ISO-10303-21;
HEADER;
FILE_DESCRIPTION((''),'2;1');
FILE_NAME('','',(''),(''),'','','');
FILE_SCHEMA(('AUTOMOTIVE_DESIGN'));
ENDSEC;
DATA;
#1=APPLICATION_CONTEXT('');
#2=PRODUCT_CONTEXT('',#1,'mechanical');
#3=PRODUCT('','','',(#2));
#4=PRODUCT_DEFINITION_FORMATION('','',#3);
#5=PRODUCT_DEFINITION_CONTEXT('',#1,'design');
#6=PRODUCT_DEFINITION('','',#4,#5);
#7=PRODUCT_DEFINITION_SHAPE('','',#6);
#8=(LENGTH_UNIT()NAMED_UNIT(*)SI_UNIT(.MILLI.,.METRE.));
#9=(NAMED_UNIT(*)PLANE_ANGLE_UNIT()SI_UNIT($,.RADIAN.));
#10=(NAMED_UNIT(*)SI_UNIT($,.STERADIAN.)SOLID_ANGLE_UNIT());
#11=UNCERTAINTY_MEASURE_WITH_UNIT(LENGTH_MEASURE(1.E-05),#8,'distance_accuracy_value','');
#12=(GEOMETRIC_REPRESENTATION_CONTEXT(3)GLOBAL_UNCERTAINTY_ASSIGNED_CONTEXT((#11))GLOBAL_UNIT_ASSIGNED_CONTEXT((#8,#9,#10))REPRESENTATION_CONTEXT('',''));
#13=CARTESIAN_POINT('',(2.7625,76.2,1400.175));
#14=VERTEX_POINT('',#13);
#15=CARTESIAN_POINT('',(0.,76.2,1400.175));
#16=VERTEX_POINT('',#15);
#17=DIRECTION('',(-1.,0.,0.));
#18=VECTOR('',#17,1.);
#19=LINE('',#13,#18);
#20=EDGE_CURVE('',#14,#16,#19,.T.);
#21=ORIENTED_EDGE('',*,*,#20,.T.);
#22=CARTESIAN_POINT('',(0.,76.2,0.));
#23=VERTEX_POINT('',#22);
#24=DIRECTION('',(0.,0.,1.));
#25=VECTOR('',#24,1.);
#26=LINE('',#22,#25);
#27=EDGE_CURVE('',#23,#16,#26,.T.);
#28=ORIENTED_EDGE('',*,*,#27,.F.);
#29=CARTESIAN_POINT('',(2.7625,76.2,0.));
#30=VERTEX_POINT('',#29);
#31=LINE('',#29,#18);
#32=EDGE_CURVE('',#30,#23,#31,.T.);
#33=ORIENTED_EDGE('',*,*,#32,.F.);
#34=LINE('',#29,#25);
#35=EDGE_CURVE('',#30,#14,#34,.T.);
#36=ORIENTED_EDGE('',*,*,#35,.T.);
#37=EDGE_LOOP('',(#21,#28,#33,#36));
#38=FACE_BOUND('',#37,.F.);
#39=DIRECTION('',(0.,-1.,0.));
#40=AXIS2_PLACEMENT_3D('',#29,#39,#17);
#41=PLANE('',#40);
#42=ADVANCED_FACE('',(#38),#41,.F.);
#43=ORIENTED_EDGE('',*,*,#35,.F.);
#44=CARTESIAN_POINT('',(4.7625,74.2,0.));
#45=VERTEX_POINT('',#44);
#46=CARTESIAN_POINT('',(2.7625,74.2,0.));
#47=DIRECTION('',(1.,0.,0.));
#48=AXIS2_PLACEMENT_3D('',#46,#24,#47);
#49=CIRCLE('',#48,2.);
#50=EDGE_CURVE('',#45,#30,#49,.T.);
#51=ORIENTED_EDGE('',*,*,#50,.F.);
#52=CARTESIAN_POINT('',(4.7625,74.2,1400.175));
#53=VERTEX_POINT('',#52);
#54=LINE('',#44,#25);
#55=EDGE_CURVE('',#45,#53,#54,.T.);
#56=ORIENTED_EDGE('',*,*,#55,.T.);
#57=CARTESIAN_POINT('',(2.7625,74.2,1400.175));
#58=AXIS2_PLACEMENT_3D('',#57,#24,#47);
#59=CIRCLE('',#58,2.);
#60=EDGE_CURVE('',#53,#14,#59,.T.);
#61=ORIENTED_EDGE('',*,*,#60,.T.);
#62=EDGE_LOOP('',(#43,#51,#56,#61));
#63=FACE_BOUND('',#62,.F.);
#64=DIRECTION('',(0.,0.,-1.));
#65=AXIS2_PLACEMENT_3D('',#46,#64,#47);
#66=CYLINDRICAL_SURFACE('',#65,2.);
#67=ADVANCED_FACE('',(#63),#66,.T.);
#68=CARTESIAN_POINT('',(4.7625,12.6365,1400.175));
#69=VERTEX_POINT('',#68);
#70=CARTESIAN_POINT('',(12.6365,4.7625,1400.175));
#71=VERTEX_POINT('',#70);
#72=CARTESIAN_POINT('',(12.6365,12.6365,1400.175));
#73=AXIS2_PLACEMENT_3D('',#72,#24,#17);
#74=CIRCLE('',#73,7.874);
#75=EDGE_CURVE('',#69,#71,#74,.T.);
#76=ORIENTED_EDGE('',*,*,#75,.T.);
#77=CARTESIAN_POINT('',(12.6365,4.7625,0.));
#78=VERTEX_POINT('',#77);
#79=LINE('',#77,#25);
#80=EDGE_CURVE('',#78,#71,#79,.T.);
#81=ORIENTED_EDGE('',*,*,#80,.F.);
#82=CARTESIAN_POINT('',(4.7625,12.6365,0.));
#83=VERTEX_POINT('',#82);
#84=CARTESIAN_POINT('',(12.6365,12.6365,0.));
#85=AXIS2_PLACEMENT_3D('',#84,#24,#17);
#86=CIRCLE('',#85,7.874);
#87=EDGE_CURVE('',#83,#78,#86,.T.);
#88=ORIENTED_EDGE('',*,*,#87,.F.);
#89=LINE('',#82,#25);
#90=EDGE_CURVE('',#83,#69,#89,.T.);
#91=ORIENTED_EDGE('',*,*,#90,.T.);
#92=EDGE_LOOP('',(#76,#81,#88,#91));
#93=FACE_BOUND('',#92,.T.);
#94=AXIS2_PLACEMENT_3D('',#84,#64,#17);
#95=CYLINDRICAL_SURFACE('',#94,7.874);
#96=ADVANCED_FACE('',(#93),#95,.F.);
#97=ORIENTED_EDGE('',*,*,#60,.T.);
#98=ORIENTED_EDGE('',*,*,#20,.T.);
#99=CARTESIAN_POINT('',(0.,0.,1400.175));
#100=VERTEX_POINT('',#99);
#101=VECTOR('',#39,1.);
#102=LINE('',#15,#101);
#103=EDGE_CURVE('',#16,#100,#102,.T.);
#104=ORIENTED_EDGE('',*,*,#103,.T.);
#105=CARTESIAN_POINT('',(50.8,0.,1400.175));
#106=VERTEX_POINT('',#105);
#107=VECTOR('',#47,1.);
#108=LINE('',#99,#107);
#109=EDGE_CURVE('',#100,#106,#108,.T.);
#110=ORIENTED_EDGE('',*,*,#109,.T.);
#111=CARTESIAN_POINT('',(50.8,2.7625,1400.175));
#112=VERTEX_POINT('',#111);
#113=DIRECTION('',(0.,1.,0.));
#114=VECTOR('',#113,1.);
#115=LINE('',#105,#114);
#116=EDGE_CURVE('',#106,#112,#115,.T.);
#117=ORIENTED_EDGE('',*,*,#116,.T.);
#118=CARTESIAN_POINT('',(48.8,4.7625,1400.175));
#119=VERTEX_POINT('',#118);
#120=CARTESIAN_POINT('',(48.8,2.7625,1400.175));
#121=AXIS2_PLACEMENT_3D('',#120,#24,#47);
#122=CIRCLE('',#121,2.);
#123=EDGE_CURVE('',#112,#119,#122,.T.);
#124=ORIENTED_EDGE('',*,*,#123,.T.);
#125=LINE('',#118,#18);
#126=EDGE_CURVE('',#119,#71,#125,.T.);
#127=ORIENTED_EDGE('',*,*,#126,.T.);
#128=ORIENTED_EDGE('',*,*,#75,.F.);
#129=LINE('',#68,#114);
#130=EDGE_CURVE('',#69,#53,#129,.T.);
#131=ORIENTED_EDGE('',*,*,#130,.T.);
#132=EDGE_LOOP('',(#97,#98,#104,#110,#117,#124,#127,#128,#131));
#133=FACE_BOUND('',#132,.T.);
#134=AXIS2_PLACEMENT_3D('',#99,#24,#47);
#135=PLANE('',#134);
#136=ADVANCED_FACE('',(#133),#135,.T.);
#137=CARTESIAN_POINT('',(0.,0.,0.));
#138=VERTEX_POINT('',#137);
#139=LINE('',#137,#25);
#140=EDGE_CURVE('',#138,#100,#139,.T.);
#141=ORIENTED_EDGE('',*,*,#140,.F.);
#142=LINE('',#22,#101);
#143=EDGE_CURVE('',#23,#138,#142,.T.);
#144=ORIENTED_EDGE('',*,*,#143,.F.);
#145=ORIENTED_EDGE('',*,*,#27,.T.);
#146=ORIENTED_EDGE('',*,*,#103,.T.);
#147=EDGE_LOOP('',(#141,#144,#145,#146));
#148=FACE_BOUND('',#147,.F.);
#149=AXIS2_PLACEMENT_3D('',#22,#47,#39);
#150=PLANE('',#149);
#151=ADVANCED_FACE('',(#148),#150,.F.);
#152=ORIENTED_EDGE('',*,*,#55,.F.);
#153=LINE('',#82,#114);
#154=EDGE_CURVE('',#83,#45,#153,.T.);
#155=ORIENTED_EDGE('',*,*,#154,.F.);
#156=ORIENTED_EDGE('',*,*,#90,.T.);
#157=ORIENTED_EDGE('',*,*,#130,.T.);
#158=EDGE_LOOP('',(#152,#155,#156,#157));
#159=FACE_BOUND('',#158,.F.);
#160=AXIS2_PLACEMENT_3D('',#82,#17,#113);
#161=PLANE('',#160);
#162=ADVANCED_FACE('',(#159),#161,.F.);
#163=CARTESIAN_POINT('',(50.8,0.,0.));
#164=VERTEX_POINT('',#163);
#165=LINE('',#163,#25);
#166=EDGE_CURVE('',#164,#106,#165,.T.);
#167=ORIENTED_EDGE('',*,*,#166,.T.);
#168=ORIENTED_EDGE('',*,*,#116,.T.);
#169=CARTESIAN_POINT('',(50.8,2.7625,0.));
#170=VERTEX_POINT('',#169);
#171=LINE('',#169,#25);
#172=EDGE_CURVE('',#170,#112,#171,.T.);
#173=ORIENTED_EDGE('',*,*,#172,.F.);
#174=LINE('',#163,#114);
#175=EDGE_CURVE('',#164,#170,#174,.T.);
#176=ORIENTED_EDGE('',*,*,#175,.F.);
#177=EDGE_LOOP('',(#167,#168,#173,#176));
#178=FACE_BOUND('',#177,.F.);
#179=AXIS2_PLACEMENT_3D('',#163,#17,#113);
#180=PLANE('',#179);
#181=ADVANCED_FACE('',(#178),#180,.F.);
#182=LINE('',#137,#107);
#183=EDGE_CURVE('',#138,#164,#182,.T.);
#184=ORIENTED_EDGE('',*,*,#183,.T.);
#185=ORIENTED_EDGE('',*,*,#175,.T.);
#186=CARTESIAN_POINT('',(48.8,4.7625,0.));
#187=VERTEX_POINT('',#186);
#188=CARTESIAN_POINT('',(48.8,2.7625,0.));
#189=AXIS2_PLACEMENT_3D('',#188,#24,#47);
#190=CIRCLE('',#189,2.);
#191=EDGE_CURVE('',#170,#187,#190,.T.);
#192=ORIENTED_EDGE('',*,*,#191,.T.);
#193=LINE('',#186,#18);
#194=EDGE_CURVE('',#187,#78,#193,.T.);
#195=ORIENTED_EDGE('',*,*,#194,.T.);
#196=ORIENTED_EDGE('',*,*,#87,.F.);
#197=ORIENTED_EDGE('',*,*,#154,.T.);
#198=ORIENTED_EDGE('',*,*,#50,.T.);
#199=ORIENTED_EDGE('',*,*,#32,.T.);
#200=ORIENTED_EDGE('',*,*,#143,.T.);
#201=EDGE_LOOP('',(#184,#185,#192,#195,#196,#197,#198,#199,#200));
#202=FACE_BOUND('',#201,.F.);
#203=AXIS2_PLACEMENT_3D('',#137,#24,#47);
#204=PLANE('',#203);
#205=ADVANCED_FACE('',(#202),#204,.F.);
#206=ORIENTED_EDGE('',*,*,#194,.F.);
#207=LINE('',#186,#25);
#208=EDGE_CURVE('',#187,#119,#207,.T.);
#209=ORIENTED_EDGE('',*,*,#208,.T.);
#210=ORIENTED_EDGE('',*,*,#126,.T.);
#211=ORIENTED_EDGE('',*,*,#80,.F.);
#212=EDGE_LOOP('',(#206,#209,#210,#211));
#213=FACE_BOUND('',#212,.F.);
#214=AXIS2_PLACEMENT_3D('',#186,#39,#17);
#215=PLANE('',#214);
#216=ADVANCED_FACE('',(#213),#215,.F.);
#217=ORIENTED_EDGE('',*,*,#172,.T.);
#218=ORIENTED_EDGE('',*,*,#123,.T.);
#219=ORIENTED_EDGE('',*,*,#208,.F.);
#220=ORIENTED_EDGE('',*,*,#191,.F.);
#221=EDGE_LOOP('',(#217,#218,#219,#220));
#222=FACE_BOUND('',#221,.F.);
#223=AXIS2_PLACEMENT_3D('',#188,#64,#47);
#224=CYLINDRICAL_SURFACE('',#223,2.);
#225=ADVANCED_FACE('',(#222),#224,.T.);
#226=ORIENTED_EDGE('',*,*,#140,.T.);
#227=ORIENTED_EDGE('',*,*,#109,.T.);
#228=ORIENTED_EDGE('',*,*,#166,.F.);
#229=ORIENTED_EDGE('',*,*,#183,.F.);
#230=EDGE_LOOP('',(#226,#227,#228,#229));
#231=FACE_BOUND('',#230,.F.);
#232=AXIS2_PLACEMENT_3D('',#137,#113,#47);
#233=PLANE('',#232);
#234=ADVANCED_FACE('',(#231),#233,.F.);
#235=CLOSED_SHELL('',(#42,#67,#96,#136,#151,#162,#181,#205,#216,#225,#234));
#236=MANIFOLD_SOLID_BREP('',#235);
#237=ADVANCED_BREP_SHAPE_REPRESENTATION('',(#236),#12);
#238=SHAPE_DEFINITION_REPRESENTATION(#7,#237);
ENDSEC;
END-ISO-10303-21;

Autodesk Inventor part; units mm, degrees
ref_plane "Start plane" through (0, 0, 0) normal (0, 0, 1) x (1, 0, 0)
ref_plane "End plane" through (0, 0, 1400.175) normal (0, 0, 1) x (1, 0, 0)
sketch "Sketch" plane through (0, 0, 0) normal (0, 0, 1) x (1, 0, 0)
  line L0 (0, 76.2) -> (0, 0)
  line L1 (0, 0) -> (50.8, 0)
  line L2 (50.8, 0) -> (50.8, 2.7625)
  line L3 (48.8, 4.7625) -> (12.6365, 4.7625)
  line L4 (4.7625, 12.6365) -> (4.7625, 74.2)
  line L5 (2.7625, 76.2) -> (0, 76.2)
  line L6 (-7.0414, 0) -> (21.5385, 0) construction
  line L7 (0, -8.0414) -> (0, 34.5385) construction
  arc A0 (4.7625, 12.6365) -> (12.6365, 4.7625) centre (12.6365, 12.6365) ccw
  arc A1 (50.8, 2.7625) -> (48.8, 4.7625) centre (48.8, 2.7625) ccw
  arc A2 (4.7625, 74.2) -> (2.7625, 76.2) centre (2.7625, 74.2) ccw
  line L8 (0, 93.5453) -> (0, -24.9725) construction
  line L9 (-18.6925, 0) -> (62.8653, 0) construction
  point P0 (50.8, 4.7625)
  point P1 (4.7625, 4.7625)
  point P2 (4.7625, 76.2)
  dimension "d12" = 4.7625
  dimension "d13" = 76.2
  dimension "d14" = 50.8
  dimension "d15" = 0
  dimension "d16" = 4.7625
  dimension "d17" = 0
  dimension "d18" = 7.874
  dimension "d19" = 2
extrude "Body" add sketch "Sketch" along normal up to surface (1400.175 mm away) from surface at 0
ref_plane "Work Plane4" through (1022.35, 0, 1400.175) normal (0, 0, 1) x (1, 0, 0)
split "Split2" plane through (1022.35, 0, 1400.175) removes the side toward (0, 0, 1)
equation "\"d12\" = G_T"
equation "\"d13\" = G_H"
equation "\"d14\" = G_W"
equation "\"d16\" = G_T"
equation "\"d18\" = G_IR"
equation "\"d4\" = G_L"
equation "\"G_W\" = 50.8"
equation "\"G_H\" = 76.2"
equation "\"G_T\" = 4.7625"
equation "\"G_ER\" = 4.064"
equation "\"G_IR\" = 7.874"
equation "\"G_L\" = B_L + G_OFFSET_START + G_OFFSET_END"
equation "\"ex\" = 0"
equation "\"ey\" = 0"
equation "\"G_OFFSET_START\" = 0"
equation "\"G_OFFSET_END\" = 0"
equation "\"d21\" = G_OFFSET_END + B_L"
equation "\"B_L\" = 1400.175"
properties part number "ANSI L 3 x 2 x 3_16 00000001"
